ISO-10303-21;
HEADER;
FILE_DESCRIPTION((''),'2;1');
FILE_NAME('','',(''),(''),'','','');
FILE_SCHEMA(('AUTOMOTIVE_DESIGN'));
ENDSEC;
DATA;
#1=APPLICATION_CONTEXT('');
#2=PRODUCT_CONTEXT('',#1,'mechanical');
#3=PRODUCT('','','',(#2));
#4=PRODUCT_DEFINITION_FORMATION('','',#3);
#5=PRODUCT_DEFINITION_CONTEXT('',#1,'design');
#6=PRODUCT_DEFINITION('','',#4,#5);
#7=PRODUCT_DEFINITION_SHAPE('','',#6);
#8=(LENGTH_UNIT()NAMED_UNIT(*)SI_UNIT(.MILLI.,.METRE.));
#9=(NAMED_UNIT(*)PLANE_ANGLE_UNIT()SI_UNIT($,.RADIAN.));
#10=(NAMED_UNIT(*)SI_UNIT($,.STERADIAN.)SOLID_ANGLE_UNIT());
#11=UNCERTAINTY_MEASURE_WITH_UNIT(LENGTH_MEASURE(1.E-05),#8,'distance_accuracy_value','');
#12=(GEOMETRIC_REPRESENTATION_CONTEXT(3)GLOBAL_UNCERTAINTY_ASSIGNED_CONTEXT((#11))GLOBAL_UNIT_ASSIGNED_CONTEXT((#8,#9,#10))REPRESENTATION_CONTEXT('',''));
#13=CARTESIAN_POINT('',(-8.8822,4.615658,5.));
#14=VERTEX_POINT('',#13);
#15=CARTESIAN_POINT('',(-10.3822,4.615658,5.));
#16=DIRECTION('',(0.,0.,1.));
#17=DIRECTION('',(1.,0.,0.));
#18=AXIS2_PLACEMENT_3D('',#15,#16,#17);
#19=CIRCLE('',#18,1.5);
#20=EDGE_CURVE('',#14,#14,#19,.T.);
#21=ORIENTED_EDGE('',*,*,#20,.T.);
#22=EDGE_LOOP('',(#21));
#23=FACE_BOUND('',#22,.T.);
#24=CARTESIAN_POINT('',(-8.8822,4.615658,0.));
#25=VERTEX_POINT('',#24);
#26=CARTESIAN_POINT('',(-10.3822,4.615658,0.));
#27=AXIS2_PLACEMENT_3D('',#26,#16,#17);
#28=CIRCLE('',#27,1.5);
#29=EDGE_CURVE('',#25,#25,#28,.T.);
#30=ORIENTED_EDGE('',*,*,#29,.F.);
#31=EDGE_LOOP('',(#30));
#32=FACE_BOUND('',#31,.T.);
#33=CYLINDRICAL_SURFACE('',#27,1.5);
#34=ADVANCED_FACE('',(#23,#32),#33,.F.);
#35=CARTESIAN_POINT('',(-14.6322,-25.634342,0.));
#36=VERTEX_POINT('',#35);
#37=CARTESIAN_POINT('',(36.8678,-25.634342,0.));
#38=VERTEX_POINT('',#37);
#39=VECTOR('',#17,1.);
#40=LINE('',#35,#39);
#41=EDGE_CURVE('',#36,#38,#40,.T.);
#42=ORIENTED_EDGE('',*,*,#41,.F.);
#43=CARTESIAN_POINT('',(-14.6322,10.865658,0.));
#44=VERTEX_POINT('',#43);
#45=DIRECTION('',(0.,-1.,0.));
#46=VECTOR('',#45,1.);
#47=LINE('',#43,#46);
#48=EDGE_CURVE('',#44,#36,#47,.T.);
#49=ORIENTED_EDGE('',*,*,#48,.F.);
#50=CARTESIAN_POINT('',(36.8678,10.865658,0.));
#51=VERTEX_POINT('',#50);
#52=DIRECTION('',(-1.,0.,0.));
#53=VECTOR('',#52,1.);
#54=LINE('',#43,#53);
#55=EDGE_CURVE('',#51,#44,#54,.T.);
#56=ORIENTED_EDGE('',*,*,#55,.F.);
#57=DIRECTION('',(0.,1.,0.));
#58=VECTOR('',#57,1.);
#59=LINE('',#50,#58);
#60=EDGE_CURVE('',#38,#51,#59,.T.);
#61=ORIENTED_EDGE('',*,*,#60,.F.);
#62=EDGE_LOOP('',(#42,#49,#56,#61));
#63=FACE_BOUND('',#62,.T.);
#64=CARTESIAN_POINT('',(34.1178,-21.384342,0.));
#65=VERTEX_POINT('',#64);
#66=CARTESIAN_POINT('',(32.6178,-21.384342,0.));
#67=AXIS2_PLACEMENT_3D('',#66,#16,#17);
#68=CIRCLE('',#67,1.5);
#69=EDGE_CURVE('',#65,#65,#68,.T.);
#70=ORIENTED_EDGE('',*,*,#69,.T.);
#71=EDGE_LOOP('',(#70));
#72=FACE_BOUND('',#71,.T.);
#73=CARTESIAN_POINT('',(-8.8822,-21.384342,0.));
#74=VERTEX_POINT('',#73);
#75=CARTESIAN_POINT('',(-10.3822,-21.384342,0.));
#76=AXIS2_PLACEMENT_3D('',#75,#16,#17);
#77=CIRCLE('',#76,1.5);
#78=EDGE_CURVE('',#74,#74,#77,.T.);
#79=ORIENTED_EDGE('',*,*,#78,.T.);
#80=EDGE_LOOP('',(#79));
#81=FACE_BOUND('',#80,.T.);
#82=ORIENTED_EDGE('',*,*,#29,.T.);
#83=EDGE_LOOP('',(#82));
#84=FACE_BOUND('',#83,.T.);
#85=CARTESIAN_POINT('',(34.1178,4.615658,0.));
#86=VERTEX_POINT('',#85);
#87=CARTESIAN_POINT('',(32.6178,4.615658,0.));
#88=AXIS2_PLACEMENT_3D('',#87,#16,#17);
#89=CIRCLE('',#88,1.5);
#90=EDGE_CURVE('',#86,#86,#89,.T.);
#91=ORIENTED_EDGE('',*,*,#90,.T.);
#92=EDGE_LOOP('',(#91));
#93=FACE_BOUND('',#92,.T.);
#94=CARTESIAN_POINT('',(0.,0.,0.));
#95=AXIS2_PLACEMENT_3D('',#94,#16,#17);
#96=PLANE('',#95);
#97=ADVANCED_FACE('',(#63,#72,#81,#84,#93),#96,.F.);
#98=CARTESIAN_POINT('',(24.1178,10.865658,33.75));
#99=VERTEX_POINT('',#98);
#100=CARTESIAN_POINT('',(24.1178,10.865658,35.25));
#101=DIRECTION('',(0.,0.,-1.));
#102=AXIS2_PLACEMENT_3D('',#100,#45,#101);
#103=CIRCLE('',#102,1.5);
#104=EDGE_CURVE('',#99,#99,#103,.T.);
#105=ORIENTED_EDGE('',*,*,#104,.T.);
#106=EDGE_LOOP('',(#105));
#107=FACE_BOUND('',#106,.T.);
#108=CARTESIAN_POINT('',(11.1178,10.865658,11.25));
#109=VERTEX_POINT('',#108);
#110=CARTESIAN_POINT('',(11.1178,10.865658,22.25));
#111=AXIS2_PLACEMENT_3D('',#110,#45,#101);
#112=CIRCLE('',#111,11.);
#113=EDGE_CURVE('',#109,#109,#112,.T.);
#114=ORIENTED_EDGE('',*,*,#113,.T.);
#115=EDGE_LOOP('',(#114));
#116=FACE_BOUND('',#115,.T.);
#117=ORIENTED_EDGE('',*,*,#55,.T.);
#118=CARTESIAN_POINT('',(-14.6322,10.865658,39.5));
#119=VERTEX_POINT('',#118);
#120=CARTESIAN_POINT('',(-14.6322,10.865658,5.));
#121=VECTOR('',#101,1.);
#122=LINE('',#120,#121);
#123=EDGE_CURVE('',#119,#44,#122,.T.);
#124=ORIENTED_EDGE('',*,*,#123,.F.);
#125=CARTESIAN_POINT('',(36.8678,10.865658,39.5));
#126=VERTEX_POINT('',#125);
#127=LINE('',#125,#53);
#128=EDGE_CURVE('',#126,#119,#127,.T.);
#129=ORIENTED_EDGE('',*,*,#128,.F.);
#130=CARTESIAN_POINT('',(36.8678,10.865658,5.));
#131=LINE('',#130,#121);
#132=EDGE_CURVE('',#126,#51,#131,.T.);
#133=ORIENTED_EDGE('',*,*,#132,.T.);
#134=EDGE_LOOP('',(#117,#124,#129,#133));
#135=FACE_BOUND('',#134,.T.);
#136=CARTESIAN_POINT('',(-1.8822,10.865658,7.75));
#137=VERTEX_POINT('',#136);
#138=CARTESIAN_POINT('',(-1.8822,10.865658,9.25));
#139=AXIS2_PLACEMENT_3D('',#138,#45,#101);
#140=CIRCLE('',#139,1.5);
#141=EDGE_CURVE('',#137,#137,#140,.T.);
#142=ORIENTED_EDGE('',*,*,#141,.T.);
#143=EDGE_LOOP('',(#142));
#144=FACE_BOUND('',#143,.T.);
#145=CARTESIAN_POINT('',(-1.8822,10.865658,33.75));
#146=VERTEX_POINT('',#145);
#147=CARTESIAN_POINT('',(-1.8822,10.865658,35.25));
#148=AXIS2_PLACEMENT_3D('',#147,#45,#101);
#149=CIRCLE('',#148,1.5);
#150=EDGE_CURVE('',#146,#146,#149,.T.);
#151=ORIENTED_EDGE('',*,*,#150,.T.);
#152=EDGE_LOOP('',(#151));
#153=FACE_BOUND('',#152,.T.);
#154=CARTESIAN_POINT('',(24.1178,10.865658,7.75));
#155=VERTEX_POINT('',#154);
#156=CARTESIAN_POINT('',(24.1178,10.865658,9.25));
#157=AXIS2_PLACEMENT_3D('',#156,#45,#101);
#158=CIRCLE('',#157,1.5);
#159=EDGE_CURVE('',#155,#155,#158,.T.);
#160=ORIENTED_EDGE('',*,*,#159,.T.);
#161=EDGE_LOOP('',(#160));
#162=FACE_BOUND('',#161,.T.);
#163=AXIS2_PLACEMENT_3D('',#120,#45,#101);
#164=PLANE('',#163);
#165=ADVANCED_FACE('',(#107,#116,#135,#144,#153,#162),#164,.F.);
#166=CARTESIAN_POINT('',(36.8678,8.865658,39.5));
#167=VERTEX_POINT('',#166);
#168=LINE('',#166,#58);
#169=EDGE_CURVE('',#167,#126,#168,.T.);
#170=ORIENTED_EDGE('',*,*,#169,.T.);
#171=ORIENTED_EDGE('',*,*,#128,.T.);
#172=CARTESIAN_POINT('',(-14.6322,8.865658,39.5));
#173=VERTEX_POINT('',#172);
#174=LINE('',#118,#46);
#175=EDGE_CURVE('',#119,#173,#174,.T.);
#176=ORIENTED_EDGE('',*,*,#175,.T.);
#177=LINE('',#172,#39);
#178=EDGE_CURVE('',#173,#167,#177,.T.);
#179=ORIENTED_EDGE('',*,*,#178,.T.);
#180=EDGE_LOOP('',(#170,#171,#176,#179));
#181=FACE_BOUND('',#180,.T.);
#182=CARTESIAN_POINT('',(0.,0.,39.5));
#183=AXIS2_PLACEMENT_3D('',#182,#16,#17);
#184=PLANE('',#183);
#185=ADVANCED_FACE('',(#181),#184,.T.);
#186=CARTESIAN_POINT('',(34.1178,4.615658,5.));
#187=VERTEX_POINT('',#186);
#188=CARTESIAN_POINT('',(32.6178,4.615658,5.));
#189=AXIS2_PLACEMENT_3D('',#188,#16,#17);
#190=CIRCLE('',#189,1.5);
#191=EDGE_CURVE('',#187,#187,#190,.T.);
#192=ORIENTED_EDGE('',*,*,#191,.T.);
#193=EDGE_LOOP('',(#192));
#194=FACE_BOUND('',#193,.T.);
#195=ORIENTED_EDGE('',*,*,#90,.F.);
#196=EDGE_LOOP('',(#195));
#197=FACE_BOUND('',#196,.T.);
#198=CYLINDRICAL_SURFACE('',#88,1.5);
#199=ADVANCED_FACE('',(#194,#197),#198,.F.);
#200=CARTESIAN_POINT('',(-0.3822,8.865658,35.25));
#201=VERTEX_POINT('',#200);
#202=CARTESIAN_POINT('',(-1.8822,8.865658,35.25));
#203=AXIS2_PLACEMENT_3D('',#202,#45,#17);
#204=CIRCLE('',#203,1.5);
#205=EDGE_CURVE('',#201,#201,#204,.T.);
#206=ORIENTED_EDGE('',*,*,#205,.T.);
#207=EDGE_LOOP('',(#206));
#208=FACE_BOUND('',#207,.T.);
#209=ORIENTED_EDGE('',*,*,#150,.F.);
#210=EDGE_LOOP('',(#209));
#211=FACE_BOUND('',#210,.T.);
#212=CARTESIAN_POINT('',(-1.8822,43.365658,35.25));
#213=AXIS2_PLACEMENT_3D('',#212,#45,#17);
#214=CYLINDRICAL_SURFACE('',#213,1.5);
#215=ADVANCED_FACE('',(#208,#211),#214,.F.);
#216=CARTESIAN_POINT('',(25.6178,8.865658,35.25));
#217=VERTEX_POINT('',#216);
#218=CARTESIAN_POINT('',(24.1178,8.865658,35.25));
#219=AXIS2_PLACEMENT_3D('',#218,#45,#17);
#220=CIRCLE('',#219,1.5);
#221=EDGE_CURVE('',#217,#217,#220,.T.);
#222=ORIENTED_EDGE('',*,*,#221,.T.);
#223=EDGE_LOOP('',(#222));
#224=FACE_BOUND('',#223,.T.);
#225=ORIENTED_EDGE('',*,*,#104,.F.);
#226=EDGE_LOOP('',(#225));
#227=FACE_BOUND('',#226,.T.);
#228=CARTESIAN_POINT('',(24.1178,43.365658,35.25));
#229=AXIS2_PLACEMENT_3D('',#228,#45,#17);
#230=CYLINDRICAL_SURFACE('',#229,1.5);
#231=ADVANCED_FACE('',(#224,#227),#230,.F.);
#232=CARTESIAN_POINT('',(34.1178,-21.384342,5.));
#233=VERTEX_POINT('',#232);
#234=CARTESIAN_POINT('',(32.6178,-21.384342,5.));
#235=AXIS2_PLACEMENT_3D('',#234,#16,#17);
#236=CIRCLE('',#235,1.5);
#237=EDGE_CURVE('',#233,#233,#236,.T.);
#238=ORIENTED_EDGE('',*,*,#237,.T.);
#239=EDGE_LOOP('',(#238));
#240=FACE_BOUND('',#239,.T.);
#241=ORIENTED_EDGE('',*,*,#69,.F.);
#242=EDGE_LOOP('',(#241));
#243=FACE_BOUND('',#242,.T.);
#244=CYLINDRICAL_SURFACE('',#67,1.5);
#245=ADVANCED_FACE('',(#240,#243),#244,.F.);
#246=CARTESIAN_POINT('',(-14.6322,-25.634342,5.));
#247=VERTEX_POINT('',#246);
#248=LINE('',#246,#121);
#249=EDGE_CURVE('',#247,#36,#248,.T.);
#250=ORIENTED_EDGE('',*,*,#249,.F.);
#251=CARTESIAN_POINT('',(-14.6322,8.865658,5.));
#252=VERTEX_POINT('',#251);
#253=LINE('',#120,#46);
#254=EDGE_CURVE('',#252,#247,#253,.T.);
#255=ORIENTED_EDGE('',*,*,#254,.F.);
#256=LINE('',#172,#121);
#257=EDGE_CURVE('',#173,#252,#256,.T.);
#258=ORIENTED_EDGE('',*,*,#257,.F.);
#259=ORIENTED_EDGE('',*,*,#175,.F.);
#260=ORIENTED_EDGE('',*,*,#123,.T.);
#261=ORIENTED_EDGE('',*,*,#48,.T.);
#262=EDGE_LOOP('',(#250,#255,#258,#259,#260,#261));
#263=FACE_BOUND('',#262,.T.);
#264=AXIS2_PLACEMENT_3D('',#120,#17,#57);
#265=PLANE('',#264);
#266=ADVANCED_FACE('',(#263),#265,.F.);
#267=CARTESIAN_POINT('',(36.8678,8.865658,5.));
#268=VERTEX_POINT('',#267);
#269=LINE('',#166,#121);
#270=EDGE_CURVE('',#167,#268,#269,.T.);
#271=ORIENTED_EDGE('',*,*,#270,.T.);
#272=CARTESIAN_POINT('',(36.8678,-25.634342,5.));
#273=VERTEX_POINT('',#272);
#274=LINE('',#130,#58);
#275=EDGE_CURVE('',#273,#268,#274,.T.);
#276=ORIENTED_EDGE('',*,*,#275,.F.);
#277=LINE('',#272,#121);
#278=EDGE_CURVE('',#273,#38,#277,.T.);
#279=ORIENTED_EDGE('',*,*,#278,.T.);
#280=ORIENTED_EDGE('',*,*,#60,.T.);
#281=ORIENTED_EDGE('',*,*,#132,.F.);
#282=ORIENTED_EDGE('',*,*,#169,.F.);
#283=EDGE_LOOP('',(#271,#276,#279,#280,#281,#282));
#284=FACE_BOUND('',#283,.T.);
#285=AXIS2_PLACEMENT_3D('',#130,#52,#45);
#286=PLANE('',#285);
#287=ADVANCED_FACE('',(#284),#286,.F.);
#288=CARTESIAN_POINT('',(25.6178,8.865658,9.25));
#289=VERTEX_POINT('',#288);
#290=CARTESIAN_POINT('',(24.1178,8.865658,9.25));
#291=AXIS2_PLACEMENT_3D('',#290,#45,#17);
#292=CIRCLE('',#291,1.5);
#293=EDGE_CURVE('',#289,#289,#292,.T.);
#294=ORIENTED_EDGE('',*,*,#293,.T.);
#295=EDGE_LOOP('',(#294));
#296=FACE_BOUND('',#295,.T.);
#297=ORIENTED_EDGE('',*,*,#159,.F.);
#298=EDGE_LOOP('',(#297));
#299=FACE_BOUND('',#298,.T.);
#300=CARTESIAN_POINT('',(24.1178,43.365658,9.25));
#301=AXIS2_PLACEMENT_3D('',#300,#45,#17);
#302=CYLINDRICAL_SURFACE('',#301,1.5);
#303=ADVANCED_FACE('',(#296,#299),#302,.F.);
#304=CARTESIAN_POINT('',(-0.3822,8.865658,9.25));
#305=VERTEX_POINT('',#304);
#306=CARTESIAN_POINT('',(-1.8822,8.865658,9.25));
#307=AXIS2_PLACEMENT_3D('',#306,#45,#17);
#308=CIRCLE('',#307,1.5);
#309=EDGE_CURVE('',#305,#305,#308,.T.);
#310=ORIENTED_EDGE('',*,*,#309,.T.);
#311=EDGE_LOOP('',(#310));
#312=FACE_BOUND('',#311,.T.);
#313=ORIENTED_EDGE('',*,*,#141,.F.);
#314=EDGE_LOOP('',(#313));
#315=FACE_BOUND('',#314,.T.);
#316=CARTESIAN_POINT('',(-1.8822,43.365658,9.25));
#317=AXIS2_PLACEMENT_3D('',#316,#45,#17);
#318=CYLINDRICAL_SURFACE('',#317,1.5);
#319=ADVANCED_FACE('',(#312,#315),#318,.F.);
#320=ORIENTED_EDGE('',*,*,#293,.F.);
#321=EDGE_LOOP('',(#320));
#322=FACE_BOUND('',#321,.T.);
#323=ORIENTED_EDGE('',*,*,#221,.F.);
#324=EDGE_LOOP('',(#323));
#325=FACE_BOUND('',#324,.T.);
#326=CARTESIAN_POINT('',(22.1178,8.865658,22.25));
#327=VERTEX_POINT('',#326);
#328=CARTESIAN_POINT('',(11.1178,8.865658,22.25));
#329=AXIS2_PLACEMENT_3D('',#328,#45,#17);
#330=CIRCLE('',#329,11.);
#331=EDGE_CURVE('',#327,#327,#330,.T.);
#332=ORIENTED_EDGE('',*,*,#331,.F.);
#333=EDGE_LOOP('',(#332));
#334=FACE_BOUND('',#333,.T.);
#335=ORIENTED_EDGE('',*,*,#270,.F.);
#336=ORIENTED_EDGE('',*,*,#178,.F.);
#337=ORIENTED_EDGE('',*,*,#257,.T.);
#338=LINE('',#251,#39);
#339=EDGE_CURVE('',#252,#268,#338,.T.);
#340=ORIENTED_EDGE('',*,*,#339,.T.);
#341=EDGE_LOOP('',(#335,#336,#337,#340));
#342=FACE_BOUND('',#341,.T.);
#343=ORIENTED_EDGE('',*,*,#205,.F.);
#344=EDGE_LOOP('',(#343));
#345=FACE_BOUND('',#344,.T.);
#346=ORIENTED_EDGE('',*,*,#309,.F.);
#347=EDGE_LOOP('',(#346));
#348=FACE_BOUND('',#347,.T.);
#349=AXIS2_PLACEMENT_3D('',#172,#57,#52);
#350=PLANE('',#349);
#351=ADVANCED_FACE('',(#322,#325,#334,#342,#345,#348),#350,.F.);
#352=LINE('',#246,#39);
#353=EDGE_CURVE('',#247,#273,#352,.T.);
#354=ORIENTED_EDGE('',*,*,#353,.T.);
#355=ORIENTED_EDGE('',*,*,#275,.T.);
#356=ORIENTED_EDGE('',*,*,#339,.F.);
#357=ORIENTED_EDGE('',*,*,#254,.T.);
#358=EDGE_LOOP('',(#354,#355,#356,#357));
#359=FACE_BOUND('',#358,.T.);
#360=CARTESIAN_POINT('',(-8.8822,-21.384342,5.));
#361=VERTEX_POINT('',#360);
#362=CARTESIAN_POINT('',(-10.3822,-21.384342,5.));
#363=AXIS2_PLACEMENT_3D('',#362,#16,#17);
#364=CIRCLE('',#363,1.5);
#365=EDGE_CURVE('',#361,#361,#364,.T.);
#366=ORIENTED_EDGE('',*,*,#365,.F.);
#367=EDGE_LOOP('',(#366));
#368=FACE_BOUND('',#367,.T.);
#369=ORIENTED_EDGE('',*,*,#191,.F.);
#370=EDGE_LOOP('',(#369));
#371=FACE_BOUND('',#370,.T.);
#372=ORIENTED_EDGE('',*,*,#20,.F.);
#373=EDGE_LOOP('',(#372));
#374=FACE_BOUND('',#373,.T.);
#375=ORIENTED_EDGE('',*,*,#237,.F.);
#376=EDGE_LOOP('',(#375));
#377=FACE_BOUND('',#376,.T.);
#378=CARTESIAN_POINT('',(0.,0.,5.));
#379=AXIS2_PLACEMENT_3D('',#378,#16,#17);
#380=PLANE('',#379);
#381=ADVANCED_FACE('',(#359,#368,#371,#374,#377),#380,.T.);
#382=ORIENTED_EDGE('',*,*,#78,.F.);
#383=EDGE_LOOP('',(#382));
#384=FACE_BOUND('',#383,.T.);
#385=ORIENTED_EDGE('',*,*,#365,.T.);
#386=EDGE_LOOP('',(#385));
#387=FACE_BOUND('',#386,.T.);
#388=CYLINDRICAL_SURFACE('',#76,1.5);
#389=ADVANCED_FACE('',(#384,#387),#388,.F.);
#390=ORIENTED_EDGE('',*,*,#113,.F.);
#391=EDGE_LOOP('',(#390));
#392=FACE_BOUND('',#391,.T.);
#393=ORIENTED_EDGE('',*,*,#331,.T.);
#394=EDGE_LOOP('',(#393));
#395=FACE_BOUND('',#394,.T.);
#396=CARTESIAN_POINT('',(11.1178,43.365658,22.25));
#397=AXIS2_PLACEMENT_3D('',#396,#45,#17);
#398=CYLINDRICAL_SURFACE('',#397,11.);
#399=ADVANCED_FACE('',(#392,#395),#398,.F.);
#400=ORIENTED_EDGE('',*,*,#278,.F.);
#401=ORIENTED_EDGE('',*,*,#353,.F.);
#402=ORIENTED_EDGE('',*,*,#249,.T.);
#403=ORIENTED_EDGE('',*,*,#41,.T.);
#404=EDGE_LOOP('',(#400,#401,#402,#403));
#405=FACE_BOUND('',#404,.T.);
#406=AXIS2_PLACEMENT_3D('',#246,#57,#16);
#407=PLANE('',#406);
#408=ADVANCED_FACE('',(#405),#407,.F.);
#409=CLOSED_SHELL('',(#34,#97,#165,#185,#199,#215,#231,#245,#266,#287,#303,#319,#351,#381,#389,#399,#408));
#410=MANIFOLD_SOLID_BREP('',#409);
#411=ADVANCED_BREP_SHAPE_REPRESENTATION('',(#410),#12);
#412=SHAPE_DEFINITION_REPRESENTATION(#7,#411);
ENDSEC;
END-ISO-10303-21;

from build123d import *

# Parameters (mm, degrees)
ESQUISSE1_W             = 51.5
ESQUISSE1_H             = 36.5
BOSS_EXTRU_1_DEPTH      = 5
ESQUISSE2_R             = 1.5
ENL_V_MAT_EXTRU_1_DEPTH = 5
ESQUISSE3_W             = 51.5
ESQUISSE3_H             = 2
BOSS_EXTRU_3_DEPTH      = 34.5
ESQUISSE5_R             = 1.5
ESQUISSE5_R_2           = 11
ENL_V_MAT_EXTRU_3_DEPTH = 34.5


with BuildPart() as part:
    # Esquisse1 → Boss.-Extru.1 (new body)
    with BuildSketch(Plane.XY):
        with Locations((11.117800259, -7.384341637)):
            Rectangle(ESQUISSE1_W, ESQUISSE1_H)
    extrude(amount=BOSS_EXTRU_1_DEPTH)

    # Esquisse2 → Enlèv. mat.-Extru.1 (cut)
    with BuildSketch(Plane.XY.offset(5)):
        with Locations((-10.382199741, 4.615658363)):
            Circle(ESQUISSE2_R)
        with Locations((-10.382199741, -21.384341637)):
            Circle(ESQUISSE2_R)
        with Locations((32.617800259, -21.384341637)):
            Circle(ESQUISSE2_R)
        with Locations((32.617800259, 4.615658363)):
            Circle(ESQUISSE2_R)
    extrude(amount=-ENL_V_MAT_EXTRU_1_DEPTH, mode=Mode.SUBTRACT)

    # Esquisse3 → Boss.-Extru.3 (add)
    with BuildSketch(Plane.XY.offset(5)):
        with Locations((11.117800259, 9.865658363)):
            Rectangle(ESQUISSE3_W, ESQUISSE3_H)
    extrude(amount=BOSS_EXTRU_3_DEPTH)

    # Esquisse5 → Enlèv. mat.-Extru.3 (cut)
    with BuildSketch(Plane.XZ.offset(-8.865658363)):
        with Locations((-1.882199741, 35.25)):
            Circle(ESQUISSE5_R)
        with Locations((24.117800259, 35.25)):
            Circle(ESQUISSE5_R)
        with Locations((-1.882199741, 9.25)):
            Circle(ESQUISSE5_R)
        with Locations((24.117800259, 9.25)):
            Circle(ESQUISSE5_R)
        with Locations((11.117800259, 22.25)):
            Circle(ESQUISSE5_R_2)
    extrude(amount=-ENL_V_MAT_EXTRU_3_DEPTH, mode=Mode.SUBTRACT)


solid = part.part
